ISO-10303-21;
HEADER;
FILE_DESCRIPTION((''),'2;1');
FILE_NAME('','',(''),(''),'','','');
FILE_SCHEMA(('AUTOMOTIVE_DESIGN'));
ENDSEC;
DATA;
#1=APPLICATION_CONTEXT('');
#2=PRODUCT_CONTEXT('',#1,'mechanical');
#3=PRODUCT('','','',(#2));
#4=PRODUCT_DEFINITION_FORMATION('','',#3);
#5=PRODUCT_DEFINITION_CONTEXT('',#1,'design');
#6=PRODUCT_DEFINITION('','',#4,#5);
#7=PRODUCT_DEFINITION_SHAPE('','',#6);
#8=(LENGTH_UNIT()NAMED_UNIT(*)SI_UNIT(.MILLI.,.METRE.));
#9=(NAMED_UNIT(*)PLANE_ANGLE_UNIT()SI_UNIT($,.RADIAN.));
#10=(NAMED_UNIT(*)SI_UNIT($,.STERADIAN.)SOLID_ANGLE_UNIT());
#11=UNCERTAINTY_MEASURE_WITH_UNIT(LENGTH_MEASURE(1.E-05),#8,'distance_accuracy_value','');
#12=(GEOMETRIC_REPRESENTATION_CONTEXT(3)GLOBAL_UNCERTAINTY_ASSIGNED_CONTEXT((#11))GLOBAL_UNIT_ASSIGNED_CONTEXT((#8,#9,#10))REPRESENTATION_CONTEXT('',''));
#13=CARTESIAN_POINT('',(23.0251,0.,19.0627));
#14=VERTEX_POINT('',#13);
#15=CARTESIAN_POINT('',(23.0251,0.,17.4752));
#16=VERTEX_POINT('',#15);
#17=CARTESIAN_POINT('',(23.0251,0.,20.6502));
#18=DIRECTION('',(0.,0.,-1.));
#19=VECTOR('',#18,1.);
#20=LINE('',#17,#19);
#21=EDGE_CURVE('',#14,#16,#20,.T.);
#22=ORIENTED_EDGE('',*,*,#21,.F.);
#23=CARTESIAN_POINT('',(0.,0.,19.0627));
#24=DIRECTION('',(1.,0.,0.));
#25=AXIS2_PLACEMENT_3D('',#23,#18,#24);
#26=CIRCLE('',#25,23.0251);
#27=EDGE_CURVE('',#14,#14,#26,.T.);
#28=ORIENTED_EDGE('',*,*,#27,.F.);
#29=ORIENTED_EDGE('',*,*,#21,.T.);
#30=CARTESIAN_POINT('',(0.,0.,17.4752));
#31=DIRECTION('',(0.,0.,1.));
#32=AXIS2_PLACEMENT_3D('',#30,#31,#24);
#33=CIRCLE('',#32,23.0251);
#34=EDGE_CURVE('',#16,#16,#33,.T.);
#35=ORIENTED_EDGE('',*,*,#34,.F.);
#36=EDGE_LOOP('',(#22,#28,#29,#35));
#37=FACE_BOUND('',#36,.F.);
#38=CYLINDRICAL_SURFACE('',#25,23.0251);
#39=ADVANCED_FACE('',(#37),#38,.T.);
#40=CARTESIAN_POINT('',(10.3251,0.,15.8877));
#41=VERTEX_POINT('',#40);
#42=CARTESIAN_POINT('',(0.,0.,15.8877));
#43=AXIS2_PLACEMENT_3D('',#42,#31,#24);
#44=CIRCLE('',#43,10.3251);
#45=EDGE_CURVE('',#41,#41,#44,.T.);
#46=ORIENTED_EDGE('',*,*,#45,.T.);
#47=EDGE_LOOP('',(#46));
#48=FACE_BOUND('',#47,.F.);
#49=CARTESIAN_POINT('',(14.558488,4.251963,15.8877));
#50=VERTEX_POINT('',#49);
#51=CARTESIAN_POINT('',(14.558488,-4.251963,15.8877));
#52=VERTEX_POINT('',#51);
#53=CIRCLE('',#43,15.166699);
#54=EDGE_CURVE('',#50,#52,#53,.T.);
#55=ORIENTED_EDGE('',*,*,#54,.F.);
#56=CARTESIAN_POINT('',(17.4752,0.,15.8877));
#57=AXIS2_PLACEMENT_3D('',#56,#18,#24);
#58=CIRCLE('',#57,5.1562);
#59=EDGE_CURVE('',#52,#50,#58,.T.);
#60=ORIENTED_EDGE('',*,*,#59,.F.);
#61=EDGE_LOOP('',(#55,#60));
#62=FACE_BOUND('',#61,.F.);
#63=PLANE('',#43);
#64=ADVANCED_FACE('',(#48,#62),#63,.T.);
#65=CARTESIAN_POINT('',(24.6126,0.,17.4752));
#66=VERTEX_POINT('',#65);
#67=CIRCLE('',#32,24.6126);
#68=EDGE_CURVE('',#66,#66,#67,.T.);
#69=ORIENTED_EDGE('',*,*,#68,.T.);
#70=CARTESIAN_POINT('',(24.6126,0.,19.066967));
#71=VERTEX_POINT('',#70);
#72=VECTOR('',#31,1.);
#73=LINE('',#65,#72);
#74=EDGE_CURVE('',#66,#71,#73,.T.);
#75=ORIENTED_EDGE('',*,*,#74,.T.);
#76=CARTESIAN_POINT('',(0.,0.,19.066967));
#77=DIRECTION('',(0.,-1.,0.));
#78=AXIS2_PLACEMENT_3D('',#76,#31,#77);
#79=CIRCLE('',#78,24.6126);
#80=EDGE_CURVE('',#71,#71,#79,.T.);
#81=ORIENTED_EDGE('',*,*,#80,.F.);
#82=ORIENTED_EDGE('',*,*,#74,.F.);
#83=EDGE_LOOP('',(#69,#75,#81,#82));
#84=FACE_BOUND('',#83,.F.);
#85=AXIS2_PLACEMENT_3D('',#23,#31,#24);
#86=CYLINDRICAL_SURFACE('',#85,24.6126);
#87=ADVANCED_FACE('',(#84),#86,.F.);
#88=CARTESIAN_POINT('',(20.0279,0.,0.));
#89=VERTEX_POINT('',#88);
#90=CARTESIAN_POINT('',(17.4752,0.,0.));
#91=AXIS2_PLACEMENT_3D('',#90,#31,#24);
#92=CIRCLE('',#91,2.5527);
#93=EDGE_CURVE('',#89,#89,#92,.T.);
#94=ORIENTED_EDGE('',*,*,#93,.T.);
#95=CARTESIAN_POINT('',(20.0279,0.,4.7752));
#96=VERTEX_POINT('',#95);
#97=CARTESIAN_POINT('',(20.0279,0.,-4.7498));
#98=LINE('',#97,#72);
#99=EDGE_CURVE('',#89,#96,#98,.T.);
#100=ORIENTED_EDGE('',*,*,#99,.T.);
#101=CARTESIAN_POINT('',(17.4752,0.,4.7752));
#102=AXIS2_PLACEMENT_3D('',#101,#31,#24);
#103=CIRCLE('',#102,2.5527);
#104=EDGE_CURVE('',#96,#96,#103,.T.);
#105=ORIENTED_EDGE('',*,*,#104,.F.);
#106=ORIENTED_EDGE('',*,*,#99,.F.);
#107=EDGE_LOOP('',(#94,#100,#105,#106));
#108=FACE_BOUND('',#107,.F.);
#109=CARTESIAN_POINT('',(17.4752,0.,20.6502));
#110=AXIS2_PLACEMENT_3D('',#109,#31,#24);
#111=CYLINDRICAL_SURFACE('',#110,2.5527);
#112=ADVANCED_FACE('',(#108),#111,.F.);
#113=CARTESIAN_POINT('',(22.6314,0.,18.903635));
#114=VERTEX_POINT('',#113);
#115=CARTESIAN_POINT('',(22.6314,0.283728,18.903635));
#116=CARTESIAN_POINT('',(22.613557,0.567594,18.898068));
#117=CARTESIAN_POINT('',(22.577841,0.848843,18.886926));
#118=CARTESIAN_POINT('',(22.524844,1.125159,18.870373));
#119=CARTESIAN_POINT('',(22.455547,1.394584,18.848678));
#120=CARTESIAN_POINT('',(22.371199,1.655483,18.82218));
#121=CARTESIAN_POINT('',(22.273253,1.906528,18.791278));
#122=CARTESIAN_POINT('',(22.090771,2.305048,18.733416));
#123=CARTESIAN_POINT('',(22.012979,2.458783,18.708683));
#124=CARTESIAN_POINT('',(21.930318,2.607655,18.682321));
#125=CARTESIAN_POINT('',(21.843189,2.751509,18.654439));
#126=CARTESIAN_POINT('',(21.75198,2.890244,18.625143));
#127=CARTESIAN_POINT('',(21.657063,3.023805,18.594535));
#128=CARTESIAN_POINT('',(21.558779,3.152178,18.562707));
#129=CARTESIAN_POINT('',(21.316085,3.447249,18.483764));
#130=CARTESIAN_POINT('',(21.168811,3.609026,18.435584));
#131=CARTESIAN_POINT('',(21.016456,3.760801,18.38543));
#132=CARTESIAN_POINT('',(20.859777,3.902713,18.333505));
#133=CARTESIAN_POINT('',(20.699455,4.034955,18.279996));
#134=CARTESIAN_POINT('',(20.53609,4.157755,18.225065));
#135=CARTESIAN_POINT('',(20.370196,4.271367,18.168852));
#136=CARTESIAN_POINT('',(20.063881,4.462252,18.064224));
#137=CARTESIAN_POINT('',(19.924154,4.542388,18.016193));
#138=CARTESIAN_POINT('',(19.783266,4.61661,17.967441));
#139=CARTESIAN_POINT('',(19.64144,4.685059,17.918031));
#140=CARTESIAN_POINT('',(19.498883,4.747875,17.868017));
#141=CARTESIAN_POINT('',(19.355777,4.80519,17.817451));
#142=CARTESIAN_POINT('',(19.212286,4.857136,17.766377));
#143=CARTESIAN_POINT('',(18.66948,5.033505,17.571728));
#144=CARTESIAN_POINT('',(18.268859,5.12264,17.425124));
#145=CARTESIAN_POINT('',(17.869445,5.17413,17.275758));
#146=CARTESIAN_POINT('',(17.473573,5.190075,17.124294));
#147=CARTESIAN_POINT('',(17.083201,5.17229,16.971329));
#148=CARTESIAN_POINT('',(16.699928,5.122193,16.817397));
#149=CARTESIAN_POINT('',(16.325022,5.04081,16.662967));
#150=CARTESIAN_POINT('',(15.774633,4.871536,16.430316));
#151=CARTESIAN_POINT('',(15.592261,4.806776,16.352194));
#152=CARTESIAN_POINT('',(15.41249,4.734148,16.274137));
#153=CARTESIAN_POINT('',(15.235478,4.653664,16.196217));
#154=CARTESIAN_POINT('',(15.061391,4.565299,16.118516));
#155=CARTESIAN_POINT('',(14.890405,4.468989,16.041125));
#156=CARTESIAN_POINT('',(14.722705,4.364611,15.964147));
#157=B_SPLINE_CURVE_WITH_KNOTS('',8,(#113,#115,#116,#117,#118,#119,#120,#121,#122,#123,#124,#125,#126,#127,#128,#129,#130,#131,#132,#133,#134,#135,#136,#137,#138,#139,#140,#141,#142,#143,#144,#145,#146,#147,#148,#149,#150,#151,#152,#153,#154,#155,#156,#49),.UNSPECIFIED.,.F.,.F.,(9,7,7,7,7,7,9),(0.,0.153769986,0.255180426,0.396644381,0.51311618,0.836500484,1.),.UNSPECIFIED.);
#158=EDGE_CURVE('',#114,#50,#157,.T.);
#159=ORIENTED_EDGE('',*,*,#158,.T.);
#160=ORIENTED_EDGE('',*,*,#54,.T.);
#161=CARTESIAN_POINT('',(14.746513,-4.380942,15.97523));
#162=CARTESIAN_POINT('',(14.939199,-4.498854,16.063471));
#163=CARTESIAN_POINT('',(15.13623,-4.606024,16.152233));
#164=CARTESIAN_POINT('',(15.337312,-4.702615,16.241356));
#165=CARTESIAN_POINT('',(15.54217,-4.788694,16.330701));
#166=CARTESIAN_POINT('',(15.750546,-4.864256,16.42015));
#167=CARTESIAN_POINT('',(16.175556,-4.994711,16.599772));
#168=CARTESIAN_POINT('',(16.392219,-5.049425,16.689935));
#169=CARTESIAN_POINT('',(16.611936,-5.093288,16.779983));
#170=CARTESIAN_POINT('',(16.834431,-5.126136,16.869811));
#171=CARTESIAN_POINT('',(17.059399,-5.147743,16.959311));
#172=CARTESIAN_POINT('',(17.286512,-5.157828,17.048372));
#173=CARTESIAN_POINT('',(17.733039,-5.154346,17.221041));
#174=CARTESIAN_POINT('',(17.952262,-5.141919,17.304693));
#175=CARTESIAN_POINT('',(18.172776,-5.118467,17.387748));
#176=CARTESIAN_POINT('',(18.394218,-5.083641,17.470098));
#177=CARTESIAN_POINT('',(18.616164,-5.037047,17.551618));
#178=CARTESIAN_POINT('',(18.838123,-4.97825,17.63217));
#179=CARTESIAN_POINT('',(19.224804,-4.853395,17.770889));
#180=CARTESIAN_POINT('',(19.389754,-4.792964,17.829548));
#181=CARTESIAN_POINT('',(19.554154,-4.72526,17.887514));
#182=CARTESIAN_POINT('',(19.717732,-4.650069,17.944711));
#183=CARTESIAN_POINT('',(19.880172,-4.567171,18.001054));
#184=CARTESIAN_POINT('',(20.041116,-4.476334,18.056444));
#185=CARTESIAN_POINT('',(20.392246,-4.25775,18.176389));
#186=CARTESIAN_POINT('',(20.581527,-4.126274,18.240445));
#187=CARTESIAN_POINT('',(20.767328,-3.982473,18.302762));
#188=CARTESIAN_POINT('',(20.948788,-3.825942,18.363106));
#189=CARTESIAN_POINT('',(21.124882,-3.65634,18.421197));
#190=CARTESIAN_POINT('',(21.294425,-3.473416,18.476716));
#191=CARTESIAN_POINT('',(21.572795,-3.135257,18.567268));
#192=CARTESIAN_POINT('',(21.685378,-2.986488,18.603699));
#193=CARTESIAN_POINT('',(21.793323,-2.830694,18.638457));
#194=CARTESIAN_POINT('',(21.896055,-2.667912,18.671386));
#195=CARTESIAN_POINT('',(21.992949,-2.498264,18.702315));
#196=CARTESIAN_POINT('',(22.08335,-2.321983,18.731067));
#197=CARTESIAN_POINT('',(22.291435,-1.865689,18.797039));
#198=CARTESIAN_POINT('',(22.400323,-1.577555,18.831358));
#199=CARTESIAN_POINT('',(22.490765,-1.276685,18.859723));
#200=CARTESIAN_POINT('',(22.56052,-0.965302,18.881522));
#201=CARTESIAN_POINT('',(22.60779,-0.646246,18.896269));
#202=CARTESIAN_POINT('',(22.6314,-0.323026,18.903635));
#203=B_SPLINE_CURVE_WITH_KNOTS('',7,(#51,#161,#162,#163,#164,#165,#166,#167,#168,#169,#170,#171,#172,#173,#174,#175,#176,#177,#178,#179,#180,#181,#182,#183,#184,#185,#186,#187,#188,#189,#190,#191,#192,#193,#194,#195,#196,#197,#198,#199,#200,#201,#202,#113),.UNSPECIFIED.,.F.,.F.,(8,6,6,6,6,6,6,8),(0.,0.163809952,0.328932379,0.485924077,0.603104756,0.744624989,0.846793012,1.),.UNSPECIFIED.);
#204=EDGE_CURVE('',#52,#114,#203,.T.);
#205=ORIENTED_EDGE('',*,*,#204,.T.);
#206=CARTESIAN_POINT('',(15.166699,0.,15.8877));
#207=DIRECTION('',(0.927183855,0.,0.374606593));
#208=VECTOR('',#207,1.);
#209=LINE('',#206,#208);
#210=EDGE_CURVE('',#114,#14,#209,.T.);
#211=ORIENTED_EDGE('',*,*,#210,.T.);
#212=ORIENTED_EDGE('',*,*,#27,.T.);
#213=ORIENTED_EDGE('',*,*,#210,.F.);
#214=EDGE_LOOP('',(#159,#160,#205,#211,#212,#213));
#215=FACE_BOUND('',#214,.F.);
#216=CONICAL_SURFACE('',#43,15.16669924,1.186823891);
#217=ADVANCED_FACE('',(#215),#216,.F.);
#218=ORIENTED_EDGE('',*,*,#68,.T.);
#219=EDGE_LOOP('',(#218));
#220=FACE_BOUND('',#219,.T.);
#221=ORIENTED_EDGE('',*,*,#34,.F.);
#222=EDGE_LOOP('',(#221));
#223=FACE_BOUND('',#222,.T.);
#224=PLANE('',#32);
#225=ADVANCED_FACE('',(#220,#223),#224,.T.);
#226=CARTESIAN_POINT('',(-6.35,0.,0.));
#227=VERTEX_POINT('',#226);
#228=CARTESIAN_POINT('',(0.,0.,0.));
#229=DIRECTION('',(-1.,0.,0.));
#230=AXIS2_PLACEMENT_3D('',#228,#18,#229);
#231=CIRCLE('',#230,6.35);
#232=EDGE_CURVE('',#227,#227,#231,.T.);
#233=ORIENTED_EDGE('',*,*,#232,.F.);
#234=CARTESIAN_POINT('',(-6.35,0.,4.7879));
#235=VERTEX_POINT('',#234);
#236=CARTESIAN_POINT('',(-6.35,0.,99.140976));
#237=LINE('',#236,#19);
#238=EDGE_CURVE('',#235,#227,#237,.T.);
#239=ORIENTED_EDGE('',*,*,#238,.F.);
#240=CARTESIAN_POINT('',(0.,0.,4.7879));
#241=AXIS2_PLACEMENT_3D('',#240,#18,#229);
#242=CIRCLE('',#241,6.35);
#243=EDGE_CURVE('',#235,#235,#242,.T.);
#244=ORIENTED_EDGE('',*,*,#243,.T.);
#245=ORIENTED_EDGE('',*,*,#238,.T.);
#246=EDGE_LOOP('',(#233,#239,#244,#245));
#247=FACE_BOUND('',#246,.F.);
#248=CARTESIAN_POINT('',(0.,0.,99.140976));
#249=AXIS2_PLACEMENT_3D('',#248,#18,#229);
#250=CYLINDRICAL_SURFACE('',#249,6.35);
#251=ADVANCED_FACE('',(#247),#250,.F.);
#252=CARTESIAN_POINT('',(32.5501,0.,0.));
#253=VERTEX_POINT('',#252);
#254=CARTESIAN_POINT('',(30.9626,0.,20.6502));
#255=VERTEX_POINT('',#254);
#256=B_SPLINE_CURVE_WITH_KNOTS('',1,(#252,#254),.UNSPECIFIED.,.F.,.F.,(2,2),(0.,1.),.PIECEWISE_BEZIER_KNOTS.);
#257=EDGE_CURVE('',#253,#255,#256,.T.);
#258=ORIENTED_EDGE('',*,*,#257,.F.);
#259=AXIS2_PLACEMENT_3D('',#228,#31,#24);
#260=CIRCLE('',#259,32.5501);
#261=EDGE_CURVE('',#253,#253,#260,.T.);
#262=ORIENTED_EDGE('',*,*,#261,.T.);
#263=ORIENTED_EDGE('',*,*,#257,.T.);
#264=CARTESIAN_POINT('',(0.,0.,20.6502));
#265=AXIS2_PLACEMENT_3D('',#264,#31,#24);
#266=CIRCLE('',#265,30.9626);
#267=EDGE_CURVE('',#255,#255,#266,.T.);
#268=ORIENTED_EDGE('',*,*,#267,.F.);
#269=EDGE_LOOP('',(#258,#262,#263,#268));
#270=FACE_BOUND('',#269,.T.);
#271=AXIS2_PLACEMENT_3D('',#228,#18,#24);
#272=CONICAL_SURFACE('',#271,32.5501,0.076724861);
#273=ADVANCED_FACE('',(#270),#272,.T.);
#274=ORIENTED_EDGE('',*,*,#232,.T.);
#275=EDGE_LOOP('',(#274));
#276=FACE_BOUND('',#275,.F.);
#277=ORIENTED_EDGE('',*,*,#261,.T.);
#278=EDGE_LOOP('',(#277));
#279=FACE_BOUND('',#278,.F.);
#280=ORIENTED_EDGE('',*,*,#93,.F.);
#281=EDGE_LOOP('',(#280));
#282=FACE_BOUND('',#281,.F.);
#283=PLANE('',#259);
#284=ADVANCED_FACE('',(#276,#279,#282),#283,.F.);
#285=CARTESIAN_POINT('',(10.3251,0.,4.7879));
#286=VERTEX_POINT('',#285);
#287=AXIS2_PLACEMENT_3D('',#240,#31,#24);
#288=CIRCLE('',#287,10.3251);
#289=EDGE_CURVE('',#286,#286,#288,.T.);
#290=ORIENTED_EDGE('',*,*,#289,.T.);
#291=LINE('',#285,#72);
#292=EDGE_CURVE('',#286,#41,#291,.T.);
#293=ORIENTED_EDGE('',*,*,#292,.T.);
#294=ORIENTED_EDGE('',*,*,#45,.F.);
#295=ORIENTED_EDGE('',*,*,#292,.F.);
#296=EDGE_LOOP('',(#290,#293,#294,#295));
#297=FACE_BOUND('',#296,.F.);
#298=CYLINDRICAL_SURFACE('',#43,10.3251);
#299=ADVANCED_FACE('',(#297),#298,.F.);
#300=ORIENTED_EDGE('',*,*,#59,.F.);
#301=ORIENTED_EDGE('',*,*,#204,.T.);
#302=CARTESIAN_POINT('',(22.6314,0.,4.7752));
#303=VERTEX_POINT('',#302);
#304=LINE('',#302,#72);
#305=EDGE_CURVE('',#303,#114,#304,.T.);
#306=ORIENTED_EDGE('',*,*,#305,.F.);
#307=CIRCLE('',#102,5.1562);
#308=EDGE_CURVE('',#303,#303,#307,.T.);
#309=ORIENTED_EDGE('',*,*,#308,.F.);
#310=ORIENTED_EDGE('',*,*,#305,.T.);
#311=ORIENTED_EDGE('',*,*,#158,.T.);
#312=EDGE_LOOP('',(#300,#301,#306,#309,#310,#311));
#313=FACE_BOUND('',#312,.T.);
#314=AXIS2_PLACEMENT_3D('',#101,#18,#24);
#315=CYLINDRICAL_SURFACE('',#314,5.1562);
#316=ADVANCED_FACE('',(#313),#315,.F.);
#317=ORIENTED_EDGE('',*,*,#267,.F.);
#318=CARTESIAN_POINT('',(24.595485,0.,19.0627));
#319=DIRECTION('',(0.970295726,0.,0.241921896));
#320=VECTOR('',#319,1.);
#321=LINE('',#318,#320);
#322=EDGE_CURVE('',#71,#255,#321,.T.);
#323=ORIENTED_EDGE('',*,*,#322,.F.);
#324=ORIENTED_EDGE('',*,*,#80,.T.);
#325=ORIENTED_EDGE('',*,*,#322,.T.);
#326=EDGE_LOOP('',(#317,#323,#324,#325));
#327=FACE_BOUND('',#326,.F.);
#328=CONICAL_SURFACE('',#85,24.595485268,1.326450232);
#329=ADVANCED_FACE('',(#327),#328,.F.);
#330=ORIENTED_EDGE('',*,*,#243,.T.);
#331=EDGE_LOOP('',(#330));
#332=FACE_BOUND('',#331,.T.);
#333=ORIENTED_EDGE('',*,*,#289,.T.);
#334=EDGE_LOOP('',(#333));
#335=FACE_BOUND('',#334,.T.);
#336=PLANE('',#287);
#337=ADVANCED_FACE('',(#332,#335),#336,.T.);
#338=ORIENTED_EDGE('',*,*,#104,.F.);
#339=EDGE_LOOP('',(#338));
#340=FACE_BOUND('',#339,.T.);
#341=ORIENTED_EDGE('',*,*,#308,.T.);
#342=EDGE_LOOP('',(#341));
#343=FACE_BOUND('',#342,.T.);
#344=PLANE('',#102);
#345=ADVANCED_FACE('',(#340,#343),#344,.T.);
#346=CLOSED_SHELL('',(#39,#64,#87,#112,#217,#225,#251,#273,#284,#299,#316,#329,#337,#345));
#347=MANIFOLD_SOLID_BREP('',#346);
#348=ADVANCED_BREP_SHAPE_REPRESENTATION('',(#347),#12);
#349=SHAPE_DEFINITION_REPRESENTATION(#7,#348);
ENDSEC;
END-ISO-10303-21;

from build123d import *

# Parameters (mm, degrees)
F0_R      = 32.5501
F2_R      = 30.9626
F7_R      = 24.6126
F7_R_2    = 23.0251
F8_DEPTH  = 1.5875
F13_R     = 10.3251
F14_DEPTH = 11.0998
F17_D     = 12.7
F18_R     = 2.5527
F19_DEPTH = 25.4
F21_R     = 5.1562
F22_DEPTH = 25.4


with BuildPart() as f3:
    # F0 (on Top) → F3 section 0
    with BuildSketch(Plane.XY):
        Circle(F0_R)
    # F2 (on offset) → F3 section 1
    with BuildSketch(Plane.XY.offset(20.6502)):
        Circle(F2_R)
    loft()


with BuildPart() as f5:
    # F4 (on Front) → F5 (revolve)
    with BuildSketch(Plane.XZ):
        Polygon((30.9626, 20.6502), (0, 20.6502), (0, 19.0627), (24.595485268, 19.0627), align=None)
    revolve(axis=Axis((0, 0, 0), (0, 0, 1)))


with BuildPart() as f3_1:
    add(f3.part)

    # F6: cut F5
    add(f5.part, mode=Mode.SUBTRACT)


with BuildPart() as f8:
    # F7 (on face) → F8 (new body, symmetric)
    with BuildSketch(Plane.XY.offset(19.0627)):
        Circle(F7_R)
        Circle(F7_R_2, mode=Mode.SUBTRACT)
    extrude(amount=F8_DEPTH, both=True)


with BuildPart() as f3_2:
    add(f3_1.part)

    # F9: cut F8
    add(f8.part, mode=Mode.SUBTRACT)


with BuildPart() as f11:
    # F10 (on Front) → F11 (revolve)
    with BuildSketch(Plane.XZ):
        Polygon((23.0251, 19.0627), (0, 19.0627), (0, 15.8877), (15.1666992404, 15.8877), align=None)
    revolve(axis=Axis((0, 0, 0), (0, 0, 1)))


with BuildPart() as f3_3:
    add(f3_2.part)

    # F12: cut F11
    add(f11.part, mode=Mode.SUBTRACT)


with BuildPart() as f14:
    # F13 (on face) → F14 (new body, symmetric)
    with BuildSketch(Plane.XY.offset(15.8877)):
        Circle(F13_R)
    extrude(amount=F14_DEPTH, both=True)


with BuildPart() as f3_4:
    add(f3_3.part)

    # F15: cut F14
    add(f14.part, mode=Mode.SUBTRACT)

    # F17 (through all)
    with Locations(Plane.XY.offset(4.7879)):
        with Locations((0, 0)):
            Hole(F17_D / 2)


with BuildPart() as f19:
    # F18 (on offset) → F19 (new body, symmetric)
    with BuildSketch(Plane.XY.offset(20.6502)):
        with Locations((17.4752, 0)):
            Circle(F18_R)
    extrude(amount=F19_DEPTH, both=True)


with BuildPart() as f3_5:
    add(f3_4.part)

    # F20: cut F19
    add(f19.part, mode=Mode.SUBTRACT)


with BuildPart() as f22:
    # F21 (on Top) → F22 (new body)
    with BuildSketch(Plane.XY):
        with Locations((17.4752, 0)):
            Circle(F21_R)
    extrude(amount=F22_DEPTH)


with BuildPart() as f22_1:
    # F23: moved
    add(f22.part.moved(Location((0, 0, 4.7752))))


with BuildPart() as f3_6:
    add(f3_5.part)

    # F24: cut F22
    add(f22_1.part, mode=Mode.SUBTRACT)


solid = f3_6.part
